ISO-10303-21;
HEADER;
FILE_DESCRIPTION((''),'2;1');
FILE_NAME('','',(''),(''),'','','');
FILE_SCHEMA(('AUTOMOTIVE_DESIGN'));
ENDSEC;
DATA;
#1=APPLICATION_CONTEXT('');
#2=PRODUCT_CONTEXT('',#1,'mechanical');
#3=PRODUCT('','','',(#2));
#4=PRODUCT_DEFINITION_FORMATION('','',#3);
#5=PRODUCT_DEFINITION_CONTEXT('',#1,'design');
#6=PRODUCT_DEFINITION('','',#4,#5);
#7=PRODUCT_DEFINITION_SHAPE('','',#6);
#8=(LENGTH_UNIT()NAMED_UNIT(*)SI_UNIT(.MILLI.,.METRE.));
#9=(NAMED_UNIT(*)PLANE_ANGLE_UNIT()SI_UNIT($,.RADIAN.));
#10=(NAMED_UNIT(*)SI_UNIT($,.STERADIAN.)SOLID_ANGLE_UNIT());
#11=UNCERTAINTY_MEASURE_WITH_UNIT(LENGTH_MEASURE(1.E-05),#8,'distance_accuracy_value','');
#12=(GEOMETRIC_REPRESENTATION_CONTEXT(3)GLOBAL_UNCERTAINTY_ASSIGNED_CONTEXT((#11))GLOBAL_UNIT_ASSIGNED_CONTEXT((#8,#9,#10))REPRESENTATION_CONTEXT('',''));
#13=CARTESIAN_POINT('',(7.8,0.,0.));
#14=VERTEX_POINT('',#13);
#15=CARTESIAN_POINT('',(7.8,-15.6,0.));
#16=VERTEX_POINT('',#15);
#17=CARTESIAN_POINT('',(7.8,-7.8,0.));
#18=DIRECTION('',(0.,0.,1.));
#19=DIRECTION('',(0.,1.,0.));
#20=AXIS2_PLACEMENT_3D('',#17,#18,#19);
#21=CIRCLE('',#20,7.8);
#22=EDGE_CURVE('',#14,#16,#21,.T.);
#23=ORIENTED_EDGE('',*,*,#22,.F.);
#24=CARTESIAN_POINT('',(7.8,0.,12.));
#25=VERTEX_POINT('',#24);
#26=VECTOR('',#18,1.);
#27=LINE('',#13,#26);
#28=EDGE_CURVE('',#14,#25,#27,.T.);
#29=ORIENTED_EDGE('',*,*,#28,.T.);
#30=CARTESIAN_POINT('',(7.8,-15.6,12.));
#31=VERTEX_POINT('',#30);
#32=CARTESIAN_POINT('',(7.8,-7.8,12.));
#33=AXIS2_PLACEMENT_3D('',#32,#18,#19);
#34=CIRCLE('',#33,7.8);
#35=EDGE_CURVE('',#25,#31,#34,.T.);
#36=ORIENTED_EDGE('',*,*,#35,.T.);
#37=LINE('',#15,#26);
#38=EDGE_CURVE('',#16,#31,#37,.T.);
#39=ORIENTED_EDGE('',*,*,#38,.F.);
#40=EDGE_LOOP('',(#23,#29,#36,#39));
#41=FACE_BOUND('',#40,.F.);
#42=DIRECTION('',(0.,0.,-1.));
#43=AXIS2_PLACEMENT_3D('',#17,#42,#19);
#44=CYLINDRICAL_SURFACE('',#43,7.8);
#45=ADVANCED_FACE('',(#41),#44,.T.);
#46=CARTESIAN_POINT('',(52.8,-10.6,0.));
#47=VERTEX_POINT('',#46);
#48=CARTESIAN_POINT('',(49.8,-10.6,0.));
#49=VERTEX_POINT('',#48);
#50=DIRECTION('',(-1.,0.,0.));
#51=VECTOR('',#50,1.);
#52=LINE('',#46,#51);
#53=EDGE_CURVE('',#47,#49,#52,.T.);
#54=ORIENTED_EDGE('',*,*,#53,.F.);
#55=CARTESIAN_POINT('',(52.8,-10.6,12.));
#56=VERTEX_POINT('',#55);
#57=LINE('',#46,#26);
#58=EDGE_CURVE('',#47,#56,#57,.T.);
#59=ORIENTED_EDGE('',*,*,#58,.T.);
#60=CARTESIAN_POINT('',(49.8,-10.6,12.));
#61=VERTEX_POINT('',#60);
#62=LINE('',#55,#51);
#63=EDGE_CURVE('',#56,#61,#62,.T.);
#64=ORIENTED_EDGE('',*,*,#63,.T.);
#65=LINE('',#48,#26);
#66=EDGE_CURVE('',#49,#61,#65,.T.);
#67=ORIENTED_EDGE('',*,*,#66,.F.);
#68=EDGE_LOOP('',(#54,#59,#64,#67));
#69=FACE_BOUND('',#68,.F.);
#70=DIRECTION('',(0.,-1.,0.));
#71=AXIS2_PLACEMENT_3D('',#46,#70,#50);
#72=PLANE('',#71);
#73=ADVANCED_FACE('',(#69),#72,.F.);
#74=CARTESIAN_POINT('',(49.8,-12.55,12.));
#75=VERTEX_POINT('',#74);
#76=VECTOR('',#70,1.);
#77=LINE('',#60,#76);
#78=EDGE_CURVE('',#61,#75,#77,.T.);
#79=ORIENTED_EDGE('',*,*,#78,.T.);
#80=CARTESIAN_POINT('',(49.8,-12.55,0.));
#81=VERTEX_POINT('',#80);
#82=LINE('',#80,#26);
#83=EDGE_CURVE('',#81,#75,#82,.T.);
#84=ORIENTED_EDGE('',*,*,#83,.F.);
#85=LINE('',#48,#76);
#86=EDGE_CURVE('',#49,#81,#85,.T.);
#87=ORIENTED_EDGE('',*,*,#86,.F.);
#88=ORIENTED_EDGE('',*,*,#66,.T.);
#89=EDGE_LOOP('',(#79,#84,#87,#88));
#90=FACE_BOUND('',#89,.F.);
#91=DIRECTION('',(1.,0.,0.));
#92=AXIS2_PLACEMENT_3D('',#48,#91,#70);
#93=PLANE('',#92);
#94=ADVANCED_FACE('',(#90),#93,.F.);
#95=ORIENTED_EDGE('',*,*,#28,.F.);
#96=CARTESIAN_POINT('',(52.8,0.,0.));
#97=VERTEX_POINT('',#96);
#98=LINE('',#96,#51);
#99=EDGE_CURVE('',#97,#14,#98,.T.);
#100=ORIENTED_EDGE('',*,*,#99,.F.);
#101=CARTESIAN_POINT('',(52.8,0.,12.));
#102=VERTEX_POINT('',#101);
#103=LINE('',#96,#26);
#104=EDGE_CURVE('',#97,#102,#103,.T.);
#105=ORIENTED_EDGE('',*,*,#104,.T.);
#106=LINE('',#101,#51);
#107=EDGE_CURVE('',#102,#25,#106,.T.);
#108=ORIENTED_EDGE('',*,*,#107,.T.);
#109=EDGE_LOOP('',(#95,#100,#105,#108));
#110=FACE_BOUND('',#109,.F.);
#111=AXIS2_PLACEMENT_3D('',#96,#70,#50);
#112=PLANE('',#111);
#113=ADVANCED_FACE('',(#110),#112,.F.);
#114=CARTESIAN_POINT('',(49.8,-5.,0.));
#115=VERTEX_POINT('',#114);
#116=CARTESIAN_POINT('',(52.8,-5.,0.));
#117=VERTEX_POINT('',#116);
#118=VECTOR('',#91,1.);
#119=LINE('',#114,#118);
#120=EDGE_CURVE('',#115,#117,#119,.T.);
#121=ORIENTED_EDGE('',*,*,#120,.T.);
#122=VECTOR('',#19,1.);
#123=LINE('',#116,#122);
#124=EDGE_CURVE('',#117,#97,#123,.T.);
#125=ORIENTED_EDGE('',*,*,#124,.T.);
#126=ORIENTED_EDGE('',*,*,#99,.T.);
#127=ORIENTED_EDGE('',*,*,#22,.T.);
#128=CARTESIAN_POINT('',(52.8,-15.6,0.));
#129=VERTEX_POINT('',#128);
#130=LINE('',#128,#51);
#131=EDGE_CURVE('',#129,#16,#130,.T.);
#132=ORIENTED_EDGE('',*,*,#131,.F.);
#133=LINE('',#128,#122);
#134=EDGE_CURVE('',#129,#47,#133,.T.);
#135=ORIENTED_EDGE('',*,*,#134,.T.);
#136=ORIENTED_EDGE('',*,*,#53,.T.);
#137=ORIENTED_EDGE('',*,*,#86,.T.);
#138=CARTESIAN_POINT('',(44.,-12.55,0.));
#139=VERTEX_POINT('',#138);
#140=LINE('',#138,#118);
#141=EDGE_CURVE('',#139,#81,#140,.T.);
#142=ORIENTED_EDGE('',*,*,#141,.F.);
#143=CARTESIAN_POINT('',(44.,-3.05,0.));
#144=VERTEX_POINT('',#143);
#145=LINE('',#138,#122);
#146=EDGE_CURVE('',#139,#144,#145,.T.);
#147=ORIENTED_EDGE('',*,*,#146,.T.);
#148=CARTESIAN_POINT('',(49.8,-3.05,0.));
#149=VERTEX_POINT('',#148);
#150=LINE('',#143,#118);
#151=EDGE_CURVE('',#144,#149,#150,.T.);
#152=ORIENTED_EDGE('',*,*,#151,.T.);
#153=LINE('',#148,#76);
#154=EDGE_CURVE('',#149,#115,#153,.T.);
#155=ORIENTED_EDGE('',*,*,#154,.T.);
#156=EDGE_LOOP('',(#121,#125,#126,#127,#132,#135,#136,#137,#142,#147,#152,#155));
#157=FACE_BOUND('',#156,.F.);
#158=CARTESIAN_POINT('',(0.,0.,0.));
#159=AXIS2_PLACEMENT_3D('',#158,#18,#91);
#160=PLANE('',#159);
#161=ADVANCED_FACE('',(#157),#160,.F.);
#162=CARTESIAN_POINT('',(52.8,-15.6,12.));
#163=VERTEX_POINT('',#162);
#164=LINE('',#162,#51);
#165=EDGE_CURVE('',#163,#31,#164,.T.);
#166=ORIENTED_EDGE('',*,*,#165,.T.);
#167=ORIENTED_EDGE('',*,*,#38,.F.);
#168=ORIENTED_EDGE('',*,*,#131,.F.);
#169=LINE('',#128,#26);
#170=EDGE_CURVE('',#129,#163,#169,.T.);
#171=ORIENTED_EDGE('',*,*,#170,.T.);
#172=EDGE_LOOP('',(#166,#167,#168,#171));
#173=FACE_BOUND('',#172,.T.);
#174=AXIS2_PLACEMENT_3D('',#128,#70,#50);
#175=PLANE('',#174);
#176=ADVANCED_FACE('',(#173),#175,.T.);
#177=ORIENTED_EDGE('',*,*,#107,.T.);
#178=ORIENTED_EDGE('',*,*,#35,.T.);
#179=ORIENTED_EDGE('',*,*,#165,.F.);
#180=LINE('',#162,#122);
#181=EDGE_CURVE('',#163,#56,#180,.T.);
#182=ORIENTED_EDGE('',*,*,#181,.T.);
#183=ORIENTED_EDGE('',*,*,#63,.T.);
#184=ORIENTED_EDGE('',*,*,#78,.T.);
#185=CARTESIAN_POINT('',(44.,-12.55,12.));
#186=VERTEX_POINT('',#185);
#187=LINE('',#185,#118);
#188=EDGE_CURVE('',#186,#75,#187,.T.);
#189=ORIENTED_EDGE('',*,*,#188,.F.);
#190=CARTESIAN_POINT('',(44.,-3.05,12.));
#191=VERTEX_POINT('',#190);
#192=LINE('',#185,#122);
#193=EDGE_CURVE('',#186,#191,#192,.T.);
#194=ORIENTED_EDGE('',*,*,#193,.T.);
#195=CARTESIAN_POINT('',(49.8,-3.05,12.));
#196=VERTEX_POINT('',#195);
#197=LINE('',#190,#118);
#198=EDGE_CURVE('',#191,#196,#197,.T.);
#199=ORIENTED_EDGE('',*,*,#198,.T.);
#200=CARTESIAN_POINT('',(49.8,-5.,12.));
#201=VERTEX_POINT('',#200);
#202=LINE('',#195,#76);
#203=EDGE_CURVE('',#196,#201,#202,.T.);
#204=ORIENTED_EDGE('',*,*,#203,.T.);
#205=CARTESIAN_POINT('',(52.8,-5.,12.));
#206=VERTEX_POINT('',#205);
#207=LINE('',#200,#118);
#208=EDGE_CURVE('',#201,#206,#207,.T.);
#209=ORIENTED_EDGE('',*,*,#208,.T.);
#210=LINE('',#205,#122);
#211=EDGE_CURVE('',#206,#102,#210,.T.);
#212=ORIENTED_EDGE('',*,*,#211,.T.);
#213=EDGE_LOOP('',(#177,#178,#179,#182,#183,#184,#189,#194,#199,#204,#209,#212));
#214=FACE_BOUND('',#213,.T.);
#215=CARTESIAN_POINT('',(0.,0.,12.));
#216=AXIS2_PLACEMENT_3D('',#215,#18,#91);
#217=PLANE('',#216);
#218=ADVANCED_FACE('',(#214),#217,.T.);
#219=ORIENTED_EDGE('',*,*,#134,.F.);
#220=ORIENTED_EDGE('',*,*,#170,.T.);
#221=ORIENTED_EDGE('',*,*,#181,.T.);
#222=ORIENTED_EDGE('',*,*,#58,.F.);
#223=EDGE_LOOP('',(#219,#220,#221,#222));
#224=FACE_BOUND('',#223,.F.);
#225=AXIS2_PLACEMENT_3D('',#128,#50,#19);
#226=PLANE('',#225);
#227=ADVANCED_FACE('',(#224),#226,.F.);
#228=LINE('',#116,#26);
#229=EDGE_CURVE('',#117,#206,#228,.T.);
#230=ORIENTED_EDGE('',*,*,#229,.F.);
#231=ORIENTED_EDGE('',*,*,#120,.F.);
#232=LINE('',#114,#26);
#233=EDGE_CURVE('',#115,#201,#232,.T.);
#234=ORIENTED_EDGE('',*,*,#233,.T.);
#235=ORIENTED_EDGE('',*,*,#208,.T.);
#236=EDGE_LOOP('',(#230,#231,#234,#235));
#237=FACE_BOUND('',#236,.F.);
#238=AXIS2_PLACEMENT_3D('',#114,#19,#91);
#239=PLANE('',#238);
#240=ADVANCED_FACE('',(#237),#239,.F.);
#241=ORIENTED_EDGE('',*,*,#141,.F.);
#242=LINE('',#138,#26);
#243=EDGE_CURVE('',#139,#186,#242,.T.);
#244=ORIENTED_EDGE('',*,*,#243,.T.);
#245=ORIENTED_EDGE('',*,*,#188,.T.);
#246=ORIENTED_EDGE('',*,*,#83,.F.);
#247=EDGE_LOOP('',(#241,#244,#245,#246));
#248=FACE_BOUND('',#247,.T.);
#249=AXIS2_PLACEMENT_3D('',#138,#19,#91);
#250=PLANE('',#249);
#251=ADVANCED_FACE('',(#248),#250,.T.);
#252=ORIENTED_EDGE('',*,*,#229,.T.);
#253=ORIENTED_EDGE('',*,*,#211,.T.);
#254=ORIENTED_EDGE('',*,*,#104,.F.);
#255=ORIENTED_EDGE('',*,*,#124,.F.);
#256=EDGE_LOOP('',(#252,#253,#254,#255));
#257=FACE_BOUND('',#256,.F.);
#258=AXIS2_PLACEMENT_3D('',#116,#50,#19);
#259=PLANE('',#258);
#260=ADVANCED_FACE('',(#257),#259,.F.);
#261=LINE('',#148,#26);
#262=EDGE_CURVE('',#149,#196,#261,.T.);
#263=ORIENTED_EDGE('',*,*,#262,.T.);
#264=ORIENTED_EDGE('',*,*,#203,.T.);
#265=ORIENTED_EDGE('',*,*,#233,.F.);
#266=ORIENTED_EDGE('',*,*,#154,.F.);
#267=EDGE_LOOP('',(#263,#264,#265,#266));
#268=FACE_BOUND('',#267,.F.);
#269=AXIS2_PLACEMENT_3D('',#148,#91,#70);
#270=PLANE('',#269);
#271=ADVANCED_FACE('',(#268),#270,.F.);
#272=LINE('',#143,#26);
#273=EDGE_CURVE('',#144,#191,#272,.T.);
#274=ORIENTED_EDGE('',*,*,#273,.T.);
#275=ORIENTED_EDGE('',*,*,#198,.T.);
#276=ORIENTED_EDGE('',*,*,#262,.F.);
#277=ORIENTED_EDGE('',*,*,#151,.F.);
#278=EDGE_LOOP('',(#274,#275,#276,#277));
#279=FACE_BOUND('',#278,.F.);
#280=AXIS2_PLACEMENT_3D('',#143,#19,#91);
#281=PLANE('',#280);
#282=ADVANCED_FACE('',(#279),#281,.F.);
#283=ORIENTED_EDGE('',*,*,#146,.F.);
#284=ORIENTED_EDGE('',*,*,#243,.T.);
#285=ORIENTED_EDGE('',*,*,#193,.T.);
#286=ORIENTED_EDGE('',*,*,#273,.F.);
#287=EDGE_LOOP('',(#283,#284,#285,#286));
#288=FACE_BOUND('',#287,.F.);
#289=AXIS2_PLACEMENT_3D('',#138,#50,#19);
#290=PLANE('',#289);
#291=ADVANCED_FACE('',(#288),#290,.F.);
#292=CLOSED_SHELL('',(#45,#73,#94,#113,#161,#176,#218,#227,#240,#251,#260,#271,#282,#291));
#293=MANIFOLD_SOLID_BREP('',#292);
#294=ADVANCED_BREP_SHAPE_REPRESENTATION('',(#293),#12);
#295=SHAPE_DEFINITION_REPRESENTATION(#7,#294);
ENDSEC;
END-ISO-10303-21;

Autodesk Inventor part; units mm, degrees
ref_plane "YZ Plane" through (0, 0, 0) normal (1, 0, 0) x (0, 1, 0)
ref_plane "XZ Plane" through (0, 0, 0) normal (0, 1, 0) x (-1, 0, 0)
ref_plane "XY Plane" through (0, 0, 0) normal (0, 0, 1) x (1, 0, 0)
sketch "Sketch5" plane through (0, 0, 0) normal (0, 0, 1) x (1, 0, 0)
  line L0 (52.8, -15.6) -> (52.8, -10.6)
  line L1 (52.8, -10.6) -> (49.8, -10.6)
  line L2 (49.8, -10.6) -> (49.8, -12.55)
  line L3 (44, -12.55) -> (44, -3.05)
  line L4 (49.8, -3.05) -> (49.8, -5)
  line L5 (49.8, -5) -> (52.8, -5)
  line L6 (52.8, -5) -> (52.8, 0)
  line L7 (52.8, 0) -> (7.8, 0)
  line L8 (44, -3.05) -> (49.8, -3.05)
  line L9 (44, -12.55) -> (49.8, -12.55)
  line L10 (52.8, -15.6) -> (7.8, -15.6)
  arc A0 (7.8, 0) -> (7.8, -15.6) centre (7.8, -7.8) ccw
  point P0 (0, 0)
  dimension "d41" = 5.8
  dimension "d48" = 44
  dimension "d50" = 3
  dimension "d63" = 45
  dimension "d67" = 15.6
  dimension "d71" = 0
  dimension "d72" = 36.2
  dimension "d78" = 5.6
  dimension "d79" = 9.5
extrude "Extrusion2" add sketch "Sketch5" along normal blind 12
equation "\"l1\" = 8"
properties part number "Finray_test_8"
